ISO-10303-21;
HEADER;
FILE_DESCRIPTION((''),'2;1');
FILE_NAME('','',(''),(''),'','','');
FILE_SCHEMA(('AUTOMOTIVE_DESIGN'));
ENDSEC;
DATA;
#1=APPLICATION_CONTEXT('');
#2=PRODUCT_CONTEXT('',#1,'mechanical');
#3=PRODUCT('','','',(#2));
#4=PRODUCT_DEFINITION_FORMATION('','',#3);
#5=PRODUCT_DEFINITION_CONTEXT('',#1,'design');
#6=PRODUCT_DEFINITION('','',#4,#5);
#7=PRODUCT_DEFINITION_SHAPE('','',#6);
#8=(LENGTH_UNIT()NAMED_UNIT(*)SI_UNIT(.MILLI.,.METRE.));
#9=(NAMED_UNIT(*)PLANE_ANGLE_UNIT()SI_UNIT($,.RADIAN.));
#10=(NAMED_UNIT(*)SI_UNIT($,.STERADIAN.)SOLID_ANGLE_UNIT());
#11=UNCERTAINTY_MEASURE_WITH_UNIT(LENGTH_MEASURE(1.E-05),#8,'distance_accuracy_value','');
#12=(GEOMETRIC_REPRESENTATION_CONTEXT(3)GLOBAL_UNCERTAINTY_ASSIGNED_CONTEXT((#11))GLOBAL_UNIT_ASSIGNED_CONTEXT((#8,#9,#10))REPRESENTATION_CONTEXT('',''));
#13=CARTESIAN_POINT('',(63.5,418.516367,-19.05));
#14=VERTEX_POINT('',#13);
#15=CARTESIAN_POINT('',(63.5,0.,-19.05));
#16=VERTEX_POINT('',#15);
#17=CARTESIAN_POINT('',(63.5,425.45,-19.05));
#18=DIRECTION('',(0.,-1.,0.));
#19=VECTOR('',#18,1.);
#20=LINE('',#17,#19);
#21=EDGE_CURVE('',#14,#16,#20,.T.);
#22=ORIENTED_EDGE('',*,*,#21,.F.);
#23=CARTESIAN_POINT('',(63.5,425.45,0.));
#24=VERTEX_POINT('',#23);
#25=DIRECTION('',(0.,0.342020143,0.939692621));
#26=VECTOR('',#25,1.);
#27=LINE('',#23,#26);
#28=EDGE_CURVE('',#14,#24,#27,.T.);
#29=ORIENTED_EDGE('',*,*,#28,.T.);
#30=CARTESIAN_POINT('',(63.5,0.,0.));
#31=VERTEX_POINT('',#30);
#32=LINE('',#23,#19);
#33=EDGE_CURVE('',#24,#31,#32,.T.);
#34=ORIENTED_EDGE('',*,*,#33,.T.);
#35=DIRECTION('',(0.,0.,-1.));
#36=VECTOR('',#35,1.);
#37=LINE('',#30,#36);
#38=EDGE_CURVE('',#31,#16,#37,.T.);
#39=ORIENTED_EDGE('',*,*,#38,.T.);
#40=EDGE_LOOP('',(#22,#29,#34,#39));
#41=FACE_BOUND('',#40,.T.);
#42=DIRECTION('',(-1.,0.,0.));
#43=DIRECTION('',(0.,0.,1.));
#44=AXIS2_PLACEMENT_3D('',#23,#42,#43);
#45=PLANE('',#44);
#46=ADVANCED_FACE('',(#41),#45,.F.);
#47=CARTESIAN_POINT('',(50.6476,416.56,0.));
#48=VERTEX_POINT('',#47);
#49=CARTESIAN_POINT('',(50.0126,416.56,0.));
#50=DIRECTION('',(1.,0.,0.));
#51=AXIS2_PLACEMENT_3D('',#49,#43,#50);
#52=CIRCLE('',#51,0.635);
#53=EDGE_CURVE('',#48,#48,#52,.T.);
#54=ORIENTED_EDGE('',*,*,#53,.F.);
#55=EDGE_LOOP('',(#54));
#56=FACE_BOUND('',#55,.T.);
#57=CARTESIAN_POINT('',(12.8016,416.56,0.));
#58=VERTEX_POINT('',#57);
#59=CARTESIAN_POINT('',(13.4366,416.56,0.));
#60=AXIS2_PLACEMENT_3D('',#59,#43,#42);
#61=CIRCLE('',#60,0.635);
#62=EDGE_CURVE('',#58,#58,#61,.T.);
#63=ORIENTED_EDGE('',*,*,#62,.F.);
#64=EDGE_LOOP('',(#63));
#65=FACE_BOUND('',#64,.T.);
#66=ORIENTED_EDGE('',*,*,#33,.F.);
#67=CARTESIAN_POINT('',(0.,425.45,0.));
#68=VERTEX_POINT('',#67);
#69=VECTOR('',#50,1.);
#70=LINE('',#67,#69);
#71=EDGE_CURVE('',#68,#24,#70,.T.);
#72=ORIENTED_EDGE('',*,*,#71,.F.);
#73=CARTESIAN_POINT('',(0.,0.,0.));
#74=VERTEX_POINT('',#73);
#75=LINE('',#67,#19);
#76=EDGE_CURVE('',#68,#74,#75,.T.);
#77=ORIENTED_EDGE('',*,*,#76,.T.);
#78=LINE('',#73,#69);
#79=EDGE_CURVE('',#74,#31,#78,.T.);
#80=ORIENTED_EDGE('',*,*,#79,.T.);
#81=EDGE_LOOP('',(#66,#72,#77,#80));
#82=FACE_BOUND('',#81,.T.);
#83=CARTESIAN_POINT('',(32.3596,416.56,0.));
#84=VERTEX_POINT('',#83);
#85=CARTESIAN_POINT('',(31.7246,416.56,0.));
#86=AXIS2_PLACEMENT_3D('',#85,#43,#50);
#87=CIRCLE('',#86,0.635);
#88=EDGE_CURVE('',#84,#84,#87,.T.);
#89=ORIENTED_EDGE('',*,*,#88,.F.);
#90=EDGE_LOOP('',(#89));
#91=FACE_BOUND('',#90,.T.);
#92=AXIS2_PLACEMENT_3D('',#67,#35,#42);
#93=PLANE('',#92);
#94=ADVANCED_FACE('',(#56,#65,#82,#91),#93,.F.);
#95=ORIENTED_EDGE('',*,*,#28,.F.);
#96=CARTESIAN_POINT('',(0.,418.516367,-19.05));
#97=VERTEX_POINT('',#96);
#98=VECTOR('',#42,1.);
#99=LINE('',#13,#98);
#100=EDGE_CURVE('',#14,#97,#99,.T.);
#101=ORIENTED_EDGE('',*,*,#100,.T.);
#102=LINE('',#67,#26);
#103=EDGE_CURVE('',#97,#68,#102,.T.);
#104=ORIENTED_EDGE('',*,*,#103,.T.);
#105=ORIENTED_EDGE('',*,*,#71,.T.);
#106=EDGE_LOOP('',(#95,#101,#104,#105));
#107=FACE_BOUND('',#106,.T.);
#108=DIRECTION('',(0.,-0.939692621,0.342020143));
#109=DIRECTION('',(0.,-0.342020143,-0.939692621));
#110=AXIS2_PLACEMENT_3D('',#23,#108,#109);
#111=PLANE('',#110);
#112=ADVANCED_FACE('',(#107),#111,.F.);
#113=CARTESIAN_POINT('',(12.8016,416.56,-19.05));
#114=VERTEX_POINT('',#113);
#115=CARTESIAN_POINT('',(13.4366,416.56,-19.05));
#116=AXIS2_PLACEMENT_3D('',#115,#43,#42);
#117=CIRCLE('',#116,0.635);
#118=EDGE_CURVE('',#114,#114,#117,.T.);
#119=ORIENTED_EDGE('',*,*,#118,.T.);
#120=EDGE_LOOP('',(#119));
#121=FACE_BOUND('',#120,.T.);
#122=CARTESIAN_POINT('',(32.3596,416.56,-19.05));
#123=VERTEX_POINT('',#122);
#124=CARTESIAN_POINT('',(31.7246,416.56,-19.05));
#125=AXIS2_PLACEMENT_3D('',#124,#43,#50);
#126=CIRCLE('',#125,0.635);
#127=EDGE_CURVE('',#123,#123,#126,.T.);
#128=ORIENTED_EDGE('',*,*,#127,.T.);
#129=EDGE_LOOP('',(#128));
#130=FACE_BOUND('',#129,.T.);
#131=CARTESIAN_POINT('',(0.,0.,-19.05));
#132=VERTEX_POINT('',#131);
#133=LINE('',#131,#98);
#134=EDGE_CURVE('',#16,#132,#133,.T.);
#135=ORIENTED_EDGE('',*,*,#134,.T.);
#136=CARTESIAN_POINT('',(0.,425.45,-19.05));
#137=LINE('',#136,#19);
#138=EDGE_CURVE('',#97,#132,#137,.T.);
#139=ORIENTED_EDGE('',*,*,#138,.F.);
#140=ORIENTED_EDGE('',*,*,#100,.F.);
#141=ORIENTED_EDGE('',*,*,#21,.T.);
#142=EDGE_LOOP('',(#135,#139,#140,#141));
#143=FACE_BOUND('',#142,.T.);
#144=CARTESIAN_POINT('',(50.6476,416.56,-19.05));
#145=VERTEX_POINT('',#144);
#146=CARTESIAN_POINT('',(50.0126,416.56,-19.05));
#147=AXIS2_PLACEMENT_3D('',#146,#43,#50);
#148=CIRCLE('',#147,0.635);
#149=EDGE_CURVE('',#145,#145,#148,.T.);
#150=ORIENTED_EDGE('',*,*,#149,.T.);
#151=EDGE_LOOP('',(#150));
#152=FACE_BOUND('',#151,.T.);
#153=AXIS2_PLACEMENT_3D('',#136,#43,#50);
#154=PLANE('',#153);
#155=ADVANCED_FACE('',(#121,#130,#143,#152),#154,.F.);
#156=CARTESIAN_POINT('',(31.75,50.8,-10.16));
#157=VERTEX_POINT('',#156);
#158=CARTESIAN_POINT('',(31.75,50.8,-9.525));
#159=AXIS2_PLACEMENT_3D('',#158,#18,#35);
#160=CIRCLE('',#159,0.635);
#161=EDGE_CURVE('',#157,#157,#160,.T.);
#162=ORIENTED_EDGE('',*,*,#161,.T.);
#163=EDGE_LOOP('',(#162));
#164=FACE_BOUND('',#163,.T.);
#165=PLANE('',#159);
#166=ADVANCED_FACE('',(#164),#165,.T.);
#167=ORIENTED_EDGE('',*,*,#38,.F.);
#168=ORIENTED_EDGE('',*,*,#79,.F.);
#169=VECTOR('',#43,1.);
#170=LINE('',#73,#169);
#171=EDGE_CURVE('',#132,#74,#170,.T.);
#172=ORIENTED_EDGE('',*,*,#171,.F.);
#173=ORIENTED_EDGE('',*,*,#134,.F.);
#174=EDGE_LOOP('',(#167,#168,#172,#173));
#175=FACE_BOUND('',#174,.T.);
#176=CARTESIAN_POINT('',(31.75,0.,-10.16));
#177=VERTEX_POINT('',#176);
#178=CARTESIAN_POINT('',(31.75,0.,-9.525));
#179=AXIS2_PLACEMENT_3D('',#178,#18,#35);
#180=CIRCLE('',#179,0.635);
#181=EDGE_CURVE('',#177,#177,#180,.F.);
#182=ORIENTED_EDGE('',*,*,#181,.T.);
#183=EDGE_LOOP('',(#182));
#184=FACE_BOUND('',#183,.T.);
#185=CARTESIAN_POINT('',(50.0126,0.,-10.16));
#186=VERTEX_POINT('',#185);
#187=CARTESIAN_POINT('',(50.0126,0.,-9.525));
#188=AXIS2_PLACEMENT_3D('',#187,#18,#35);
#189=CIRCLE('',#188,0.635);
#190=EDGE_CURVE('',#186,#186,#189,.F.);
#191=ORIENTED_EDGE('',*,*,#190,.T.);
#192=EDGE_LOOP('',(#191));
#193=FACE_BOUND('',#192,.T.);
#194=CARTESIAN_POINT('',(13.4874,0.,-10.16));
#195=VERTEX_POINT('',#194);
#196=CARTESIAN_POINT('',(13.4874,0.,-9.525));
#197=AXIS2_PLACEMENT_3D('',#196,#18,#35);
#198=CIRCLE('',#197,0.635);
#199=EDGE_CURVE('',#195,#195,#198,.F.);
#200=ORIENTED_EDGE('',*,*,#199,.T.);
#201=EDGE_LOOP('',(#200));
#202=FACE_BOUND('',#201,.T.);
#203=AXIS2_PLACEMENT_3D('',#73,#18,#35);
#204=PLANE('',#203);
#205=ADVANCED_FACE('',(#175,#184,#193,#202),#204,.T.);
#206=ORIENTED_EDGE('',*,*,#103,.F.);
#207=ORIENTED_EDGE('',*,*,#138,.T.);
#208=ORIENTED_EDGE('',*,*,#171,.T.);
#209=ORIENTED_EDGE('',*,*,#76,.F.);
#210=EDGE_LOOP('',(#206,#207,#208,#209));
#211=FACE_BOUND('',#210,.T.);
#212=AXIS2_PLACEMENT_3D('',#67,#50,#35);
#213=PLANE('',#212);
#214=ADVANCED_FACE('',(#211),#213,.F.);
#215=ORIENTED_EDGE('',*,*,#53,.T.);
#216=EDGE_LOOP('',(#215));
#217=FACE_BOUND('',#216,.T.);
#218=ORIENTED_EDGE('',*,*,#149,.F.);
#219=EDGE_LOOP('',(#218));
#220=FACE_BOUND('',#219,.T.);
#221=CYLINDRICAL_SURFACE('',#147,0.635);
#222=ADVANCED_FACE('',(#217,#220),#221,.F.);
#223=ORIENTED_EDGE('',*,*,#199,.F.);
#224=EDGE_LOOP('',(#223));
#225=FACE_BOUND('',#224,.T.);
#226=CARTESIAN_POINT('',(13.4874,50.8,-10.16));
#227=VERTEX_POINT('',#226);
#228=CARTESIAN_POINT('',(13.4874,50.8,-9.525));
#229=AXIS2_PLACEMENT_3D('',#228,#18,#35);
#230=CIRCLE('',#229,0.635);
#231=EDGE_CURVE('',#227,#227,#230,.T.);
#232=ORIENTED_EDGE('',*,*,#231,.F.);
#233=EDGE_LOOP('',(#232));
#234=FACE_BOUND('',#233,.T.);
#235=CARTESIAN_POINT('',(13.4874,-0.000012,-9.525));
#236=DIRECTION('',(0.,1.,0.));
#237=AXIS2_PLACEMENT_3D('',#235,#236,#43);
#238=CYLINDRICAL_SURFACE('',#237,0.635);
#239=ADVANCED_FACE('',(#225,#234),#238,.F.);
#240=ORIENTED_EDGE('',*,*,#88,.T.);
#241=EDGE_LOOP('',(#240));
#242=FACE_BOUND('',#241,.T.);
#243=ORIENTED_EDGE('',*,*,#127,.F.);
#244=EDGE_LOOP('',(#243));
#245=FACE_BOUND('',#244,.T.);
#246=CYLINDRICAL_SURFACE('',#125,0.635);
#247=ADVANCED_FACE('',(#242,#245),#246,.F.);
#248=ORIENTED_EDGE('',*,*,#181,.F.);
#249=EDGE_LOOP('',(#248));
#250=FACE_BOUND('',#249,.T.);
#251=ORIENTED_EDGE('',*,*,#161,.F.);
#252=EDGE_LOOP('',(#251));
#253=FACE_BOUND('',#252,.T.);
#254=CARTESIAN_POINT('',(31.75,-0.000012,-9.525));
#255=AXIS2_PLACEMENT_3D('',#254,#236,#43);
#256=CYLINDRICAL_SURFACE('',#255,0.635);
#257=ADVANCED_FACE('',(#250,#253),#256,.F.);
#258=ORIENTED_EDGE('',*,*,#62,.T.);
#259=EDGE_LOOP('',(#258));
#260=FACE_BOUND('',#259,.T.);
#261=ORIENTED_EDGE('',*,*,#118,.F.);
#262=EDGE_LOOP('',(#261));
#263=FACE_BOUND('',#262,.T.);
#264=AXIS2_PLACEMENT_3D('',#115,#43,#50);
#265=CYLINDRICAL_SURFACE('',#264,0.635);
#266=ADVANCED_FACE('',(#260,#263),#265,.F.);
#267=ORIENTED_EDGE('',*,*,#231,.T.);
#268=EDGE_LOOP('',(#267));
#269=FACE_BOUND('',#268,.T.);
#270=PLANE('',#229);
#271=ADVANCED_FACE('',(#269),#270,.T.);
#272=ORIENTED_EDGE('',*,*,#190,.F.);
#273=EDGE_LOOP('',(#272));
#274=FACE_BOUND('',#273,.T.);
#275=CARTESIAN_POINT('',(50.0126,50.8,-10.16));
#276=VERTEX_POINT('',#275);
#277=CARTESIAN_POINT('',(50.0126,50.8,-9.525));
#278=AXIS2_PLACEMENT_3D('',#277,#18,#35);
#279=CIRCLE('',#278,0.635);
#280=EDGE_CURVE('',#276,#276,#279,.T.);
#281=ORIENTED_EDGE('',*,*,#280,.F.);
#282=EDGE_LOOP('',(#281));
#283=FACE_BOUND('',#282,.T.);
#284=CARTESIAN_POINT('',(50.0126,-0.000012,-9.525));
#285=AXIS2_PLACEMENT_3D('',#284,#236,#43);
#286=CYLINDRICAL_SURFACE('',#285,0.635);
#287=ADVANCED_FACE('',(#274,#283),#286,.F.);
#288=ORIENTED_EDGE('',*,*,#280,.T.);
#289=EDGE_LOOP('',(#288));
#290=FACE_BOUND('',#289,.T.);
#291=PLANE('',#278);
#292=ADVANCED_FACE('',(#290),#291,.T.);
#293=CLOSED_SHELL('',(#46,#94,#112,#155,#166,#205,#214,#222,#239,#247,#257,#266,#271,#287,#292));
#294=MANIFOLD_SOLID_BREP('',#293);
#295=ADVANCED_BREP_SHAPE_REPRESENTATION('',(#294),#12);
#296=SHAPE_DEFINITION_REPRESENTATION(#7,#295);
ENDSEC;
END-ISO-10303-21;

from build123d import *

# Parameters (mm, degrees)
SKETCH2_W               = 63.5
SKETCH2_H               = 19.05
BOSS_EXTRUDE1_DEPTH     = 425.45
CUT_EXTRUDE1_DEPTH      = 431.584318107
CUT_EXTRUDE1_DEPTH_BACK = 50.8
SKETCH3_R               = 0.635
SKETCH4_R               = 0.635
CUT_EXTRUDE2_DEPTH      = 431.584318107
CUT_EXTRUDE3_DEPTH      = 431.584318107


with BuildPart() as part:
    # Sketch2 → Boss-Extrude1 (new body)
    with BuildSketch(Plane(origin=(0, 0, 0), x_dir=(1, 0, 0), z_dir=(0, 1, 0))):
        with Locations((31.75, 9.525)):
            Rectangle(SKETCH2_W, SKETCH2_H)
    extrude(amount=BOSS_EXTRUDE1_DEPTH)

    # Sketch3 → Cut-Extrude1 (cut, two sides: drawn at the far end of the back side and taken through both)
    with BuildSketch(Plane.XZ.offset(-CUT_EXTRUDE1_DEPTH_BACK)):
        with Locations(Location((13.487400071, -9.524999694, 0), (0, 0, 270))):
            Circle(SKETCH3_R)
        with Locations(Location((31.750000071, -9.524999694, 0), (0, 0, 270))):
            Circle(SKETCH3_R)
        with Locations(Location((50.012600071, -9.524999694, 0), (0, 0, 270))):
            Circle(SKETCH3_R)
    extrude(amount=CUT_EXTRUDE1_DEPTH + CUT_EXTRUDE1_DEPTH_BACK, mode=Mode.SUBTRACT)

    # Sketch4 → Cut-Extrude2 (cut, through all)
    with BuildSketch(Plane.XY):
        with Locations((31.724600071, 416.56)):
            Circle(SKETCH4_R)
        with Locations((50.012600071, 416.56)):
            Circle(SKETCH4_R)
        with Locations(Location((13.436600071, 416.56, 0), (0, 0, 180))):
            Circle(SKETCH4_R)
    extrude(amount=-CUT_EXTRUDE2_DEPTH, mode=Mode.SUBTRACT)

    # Sketch5 → Cut-Extrude3 (cut, through all)
    with BuildSketch(Plane.ZY):
        Polygon((0, 425.45), (-19.05, 418.516367037), (-19.05, 425.45), align=None)
    extrude(amount=-CUT_EXTRUDE3_DEPTH, mode=Mode.SUBTRACT)


solid = part.part
